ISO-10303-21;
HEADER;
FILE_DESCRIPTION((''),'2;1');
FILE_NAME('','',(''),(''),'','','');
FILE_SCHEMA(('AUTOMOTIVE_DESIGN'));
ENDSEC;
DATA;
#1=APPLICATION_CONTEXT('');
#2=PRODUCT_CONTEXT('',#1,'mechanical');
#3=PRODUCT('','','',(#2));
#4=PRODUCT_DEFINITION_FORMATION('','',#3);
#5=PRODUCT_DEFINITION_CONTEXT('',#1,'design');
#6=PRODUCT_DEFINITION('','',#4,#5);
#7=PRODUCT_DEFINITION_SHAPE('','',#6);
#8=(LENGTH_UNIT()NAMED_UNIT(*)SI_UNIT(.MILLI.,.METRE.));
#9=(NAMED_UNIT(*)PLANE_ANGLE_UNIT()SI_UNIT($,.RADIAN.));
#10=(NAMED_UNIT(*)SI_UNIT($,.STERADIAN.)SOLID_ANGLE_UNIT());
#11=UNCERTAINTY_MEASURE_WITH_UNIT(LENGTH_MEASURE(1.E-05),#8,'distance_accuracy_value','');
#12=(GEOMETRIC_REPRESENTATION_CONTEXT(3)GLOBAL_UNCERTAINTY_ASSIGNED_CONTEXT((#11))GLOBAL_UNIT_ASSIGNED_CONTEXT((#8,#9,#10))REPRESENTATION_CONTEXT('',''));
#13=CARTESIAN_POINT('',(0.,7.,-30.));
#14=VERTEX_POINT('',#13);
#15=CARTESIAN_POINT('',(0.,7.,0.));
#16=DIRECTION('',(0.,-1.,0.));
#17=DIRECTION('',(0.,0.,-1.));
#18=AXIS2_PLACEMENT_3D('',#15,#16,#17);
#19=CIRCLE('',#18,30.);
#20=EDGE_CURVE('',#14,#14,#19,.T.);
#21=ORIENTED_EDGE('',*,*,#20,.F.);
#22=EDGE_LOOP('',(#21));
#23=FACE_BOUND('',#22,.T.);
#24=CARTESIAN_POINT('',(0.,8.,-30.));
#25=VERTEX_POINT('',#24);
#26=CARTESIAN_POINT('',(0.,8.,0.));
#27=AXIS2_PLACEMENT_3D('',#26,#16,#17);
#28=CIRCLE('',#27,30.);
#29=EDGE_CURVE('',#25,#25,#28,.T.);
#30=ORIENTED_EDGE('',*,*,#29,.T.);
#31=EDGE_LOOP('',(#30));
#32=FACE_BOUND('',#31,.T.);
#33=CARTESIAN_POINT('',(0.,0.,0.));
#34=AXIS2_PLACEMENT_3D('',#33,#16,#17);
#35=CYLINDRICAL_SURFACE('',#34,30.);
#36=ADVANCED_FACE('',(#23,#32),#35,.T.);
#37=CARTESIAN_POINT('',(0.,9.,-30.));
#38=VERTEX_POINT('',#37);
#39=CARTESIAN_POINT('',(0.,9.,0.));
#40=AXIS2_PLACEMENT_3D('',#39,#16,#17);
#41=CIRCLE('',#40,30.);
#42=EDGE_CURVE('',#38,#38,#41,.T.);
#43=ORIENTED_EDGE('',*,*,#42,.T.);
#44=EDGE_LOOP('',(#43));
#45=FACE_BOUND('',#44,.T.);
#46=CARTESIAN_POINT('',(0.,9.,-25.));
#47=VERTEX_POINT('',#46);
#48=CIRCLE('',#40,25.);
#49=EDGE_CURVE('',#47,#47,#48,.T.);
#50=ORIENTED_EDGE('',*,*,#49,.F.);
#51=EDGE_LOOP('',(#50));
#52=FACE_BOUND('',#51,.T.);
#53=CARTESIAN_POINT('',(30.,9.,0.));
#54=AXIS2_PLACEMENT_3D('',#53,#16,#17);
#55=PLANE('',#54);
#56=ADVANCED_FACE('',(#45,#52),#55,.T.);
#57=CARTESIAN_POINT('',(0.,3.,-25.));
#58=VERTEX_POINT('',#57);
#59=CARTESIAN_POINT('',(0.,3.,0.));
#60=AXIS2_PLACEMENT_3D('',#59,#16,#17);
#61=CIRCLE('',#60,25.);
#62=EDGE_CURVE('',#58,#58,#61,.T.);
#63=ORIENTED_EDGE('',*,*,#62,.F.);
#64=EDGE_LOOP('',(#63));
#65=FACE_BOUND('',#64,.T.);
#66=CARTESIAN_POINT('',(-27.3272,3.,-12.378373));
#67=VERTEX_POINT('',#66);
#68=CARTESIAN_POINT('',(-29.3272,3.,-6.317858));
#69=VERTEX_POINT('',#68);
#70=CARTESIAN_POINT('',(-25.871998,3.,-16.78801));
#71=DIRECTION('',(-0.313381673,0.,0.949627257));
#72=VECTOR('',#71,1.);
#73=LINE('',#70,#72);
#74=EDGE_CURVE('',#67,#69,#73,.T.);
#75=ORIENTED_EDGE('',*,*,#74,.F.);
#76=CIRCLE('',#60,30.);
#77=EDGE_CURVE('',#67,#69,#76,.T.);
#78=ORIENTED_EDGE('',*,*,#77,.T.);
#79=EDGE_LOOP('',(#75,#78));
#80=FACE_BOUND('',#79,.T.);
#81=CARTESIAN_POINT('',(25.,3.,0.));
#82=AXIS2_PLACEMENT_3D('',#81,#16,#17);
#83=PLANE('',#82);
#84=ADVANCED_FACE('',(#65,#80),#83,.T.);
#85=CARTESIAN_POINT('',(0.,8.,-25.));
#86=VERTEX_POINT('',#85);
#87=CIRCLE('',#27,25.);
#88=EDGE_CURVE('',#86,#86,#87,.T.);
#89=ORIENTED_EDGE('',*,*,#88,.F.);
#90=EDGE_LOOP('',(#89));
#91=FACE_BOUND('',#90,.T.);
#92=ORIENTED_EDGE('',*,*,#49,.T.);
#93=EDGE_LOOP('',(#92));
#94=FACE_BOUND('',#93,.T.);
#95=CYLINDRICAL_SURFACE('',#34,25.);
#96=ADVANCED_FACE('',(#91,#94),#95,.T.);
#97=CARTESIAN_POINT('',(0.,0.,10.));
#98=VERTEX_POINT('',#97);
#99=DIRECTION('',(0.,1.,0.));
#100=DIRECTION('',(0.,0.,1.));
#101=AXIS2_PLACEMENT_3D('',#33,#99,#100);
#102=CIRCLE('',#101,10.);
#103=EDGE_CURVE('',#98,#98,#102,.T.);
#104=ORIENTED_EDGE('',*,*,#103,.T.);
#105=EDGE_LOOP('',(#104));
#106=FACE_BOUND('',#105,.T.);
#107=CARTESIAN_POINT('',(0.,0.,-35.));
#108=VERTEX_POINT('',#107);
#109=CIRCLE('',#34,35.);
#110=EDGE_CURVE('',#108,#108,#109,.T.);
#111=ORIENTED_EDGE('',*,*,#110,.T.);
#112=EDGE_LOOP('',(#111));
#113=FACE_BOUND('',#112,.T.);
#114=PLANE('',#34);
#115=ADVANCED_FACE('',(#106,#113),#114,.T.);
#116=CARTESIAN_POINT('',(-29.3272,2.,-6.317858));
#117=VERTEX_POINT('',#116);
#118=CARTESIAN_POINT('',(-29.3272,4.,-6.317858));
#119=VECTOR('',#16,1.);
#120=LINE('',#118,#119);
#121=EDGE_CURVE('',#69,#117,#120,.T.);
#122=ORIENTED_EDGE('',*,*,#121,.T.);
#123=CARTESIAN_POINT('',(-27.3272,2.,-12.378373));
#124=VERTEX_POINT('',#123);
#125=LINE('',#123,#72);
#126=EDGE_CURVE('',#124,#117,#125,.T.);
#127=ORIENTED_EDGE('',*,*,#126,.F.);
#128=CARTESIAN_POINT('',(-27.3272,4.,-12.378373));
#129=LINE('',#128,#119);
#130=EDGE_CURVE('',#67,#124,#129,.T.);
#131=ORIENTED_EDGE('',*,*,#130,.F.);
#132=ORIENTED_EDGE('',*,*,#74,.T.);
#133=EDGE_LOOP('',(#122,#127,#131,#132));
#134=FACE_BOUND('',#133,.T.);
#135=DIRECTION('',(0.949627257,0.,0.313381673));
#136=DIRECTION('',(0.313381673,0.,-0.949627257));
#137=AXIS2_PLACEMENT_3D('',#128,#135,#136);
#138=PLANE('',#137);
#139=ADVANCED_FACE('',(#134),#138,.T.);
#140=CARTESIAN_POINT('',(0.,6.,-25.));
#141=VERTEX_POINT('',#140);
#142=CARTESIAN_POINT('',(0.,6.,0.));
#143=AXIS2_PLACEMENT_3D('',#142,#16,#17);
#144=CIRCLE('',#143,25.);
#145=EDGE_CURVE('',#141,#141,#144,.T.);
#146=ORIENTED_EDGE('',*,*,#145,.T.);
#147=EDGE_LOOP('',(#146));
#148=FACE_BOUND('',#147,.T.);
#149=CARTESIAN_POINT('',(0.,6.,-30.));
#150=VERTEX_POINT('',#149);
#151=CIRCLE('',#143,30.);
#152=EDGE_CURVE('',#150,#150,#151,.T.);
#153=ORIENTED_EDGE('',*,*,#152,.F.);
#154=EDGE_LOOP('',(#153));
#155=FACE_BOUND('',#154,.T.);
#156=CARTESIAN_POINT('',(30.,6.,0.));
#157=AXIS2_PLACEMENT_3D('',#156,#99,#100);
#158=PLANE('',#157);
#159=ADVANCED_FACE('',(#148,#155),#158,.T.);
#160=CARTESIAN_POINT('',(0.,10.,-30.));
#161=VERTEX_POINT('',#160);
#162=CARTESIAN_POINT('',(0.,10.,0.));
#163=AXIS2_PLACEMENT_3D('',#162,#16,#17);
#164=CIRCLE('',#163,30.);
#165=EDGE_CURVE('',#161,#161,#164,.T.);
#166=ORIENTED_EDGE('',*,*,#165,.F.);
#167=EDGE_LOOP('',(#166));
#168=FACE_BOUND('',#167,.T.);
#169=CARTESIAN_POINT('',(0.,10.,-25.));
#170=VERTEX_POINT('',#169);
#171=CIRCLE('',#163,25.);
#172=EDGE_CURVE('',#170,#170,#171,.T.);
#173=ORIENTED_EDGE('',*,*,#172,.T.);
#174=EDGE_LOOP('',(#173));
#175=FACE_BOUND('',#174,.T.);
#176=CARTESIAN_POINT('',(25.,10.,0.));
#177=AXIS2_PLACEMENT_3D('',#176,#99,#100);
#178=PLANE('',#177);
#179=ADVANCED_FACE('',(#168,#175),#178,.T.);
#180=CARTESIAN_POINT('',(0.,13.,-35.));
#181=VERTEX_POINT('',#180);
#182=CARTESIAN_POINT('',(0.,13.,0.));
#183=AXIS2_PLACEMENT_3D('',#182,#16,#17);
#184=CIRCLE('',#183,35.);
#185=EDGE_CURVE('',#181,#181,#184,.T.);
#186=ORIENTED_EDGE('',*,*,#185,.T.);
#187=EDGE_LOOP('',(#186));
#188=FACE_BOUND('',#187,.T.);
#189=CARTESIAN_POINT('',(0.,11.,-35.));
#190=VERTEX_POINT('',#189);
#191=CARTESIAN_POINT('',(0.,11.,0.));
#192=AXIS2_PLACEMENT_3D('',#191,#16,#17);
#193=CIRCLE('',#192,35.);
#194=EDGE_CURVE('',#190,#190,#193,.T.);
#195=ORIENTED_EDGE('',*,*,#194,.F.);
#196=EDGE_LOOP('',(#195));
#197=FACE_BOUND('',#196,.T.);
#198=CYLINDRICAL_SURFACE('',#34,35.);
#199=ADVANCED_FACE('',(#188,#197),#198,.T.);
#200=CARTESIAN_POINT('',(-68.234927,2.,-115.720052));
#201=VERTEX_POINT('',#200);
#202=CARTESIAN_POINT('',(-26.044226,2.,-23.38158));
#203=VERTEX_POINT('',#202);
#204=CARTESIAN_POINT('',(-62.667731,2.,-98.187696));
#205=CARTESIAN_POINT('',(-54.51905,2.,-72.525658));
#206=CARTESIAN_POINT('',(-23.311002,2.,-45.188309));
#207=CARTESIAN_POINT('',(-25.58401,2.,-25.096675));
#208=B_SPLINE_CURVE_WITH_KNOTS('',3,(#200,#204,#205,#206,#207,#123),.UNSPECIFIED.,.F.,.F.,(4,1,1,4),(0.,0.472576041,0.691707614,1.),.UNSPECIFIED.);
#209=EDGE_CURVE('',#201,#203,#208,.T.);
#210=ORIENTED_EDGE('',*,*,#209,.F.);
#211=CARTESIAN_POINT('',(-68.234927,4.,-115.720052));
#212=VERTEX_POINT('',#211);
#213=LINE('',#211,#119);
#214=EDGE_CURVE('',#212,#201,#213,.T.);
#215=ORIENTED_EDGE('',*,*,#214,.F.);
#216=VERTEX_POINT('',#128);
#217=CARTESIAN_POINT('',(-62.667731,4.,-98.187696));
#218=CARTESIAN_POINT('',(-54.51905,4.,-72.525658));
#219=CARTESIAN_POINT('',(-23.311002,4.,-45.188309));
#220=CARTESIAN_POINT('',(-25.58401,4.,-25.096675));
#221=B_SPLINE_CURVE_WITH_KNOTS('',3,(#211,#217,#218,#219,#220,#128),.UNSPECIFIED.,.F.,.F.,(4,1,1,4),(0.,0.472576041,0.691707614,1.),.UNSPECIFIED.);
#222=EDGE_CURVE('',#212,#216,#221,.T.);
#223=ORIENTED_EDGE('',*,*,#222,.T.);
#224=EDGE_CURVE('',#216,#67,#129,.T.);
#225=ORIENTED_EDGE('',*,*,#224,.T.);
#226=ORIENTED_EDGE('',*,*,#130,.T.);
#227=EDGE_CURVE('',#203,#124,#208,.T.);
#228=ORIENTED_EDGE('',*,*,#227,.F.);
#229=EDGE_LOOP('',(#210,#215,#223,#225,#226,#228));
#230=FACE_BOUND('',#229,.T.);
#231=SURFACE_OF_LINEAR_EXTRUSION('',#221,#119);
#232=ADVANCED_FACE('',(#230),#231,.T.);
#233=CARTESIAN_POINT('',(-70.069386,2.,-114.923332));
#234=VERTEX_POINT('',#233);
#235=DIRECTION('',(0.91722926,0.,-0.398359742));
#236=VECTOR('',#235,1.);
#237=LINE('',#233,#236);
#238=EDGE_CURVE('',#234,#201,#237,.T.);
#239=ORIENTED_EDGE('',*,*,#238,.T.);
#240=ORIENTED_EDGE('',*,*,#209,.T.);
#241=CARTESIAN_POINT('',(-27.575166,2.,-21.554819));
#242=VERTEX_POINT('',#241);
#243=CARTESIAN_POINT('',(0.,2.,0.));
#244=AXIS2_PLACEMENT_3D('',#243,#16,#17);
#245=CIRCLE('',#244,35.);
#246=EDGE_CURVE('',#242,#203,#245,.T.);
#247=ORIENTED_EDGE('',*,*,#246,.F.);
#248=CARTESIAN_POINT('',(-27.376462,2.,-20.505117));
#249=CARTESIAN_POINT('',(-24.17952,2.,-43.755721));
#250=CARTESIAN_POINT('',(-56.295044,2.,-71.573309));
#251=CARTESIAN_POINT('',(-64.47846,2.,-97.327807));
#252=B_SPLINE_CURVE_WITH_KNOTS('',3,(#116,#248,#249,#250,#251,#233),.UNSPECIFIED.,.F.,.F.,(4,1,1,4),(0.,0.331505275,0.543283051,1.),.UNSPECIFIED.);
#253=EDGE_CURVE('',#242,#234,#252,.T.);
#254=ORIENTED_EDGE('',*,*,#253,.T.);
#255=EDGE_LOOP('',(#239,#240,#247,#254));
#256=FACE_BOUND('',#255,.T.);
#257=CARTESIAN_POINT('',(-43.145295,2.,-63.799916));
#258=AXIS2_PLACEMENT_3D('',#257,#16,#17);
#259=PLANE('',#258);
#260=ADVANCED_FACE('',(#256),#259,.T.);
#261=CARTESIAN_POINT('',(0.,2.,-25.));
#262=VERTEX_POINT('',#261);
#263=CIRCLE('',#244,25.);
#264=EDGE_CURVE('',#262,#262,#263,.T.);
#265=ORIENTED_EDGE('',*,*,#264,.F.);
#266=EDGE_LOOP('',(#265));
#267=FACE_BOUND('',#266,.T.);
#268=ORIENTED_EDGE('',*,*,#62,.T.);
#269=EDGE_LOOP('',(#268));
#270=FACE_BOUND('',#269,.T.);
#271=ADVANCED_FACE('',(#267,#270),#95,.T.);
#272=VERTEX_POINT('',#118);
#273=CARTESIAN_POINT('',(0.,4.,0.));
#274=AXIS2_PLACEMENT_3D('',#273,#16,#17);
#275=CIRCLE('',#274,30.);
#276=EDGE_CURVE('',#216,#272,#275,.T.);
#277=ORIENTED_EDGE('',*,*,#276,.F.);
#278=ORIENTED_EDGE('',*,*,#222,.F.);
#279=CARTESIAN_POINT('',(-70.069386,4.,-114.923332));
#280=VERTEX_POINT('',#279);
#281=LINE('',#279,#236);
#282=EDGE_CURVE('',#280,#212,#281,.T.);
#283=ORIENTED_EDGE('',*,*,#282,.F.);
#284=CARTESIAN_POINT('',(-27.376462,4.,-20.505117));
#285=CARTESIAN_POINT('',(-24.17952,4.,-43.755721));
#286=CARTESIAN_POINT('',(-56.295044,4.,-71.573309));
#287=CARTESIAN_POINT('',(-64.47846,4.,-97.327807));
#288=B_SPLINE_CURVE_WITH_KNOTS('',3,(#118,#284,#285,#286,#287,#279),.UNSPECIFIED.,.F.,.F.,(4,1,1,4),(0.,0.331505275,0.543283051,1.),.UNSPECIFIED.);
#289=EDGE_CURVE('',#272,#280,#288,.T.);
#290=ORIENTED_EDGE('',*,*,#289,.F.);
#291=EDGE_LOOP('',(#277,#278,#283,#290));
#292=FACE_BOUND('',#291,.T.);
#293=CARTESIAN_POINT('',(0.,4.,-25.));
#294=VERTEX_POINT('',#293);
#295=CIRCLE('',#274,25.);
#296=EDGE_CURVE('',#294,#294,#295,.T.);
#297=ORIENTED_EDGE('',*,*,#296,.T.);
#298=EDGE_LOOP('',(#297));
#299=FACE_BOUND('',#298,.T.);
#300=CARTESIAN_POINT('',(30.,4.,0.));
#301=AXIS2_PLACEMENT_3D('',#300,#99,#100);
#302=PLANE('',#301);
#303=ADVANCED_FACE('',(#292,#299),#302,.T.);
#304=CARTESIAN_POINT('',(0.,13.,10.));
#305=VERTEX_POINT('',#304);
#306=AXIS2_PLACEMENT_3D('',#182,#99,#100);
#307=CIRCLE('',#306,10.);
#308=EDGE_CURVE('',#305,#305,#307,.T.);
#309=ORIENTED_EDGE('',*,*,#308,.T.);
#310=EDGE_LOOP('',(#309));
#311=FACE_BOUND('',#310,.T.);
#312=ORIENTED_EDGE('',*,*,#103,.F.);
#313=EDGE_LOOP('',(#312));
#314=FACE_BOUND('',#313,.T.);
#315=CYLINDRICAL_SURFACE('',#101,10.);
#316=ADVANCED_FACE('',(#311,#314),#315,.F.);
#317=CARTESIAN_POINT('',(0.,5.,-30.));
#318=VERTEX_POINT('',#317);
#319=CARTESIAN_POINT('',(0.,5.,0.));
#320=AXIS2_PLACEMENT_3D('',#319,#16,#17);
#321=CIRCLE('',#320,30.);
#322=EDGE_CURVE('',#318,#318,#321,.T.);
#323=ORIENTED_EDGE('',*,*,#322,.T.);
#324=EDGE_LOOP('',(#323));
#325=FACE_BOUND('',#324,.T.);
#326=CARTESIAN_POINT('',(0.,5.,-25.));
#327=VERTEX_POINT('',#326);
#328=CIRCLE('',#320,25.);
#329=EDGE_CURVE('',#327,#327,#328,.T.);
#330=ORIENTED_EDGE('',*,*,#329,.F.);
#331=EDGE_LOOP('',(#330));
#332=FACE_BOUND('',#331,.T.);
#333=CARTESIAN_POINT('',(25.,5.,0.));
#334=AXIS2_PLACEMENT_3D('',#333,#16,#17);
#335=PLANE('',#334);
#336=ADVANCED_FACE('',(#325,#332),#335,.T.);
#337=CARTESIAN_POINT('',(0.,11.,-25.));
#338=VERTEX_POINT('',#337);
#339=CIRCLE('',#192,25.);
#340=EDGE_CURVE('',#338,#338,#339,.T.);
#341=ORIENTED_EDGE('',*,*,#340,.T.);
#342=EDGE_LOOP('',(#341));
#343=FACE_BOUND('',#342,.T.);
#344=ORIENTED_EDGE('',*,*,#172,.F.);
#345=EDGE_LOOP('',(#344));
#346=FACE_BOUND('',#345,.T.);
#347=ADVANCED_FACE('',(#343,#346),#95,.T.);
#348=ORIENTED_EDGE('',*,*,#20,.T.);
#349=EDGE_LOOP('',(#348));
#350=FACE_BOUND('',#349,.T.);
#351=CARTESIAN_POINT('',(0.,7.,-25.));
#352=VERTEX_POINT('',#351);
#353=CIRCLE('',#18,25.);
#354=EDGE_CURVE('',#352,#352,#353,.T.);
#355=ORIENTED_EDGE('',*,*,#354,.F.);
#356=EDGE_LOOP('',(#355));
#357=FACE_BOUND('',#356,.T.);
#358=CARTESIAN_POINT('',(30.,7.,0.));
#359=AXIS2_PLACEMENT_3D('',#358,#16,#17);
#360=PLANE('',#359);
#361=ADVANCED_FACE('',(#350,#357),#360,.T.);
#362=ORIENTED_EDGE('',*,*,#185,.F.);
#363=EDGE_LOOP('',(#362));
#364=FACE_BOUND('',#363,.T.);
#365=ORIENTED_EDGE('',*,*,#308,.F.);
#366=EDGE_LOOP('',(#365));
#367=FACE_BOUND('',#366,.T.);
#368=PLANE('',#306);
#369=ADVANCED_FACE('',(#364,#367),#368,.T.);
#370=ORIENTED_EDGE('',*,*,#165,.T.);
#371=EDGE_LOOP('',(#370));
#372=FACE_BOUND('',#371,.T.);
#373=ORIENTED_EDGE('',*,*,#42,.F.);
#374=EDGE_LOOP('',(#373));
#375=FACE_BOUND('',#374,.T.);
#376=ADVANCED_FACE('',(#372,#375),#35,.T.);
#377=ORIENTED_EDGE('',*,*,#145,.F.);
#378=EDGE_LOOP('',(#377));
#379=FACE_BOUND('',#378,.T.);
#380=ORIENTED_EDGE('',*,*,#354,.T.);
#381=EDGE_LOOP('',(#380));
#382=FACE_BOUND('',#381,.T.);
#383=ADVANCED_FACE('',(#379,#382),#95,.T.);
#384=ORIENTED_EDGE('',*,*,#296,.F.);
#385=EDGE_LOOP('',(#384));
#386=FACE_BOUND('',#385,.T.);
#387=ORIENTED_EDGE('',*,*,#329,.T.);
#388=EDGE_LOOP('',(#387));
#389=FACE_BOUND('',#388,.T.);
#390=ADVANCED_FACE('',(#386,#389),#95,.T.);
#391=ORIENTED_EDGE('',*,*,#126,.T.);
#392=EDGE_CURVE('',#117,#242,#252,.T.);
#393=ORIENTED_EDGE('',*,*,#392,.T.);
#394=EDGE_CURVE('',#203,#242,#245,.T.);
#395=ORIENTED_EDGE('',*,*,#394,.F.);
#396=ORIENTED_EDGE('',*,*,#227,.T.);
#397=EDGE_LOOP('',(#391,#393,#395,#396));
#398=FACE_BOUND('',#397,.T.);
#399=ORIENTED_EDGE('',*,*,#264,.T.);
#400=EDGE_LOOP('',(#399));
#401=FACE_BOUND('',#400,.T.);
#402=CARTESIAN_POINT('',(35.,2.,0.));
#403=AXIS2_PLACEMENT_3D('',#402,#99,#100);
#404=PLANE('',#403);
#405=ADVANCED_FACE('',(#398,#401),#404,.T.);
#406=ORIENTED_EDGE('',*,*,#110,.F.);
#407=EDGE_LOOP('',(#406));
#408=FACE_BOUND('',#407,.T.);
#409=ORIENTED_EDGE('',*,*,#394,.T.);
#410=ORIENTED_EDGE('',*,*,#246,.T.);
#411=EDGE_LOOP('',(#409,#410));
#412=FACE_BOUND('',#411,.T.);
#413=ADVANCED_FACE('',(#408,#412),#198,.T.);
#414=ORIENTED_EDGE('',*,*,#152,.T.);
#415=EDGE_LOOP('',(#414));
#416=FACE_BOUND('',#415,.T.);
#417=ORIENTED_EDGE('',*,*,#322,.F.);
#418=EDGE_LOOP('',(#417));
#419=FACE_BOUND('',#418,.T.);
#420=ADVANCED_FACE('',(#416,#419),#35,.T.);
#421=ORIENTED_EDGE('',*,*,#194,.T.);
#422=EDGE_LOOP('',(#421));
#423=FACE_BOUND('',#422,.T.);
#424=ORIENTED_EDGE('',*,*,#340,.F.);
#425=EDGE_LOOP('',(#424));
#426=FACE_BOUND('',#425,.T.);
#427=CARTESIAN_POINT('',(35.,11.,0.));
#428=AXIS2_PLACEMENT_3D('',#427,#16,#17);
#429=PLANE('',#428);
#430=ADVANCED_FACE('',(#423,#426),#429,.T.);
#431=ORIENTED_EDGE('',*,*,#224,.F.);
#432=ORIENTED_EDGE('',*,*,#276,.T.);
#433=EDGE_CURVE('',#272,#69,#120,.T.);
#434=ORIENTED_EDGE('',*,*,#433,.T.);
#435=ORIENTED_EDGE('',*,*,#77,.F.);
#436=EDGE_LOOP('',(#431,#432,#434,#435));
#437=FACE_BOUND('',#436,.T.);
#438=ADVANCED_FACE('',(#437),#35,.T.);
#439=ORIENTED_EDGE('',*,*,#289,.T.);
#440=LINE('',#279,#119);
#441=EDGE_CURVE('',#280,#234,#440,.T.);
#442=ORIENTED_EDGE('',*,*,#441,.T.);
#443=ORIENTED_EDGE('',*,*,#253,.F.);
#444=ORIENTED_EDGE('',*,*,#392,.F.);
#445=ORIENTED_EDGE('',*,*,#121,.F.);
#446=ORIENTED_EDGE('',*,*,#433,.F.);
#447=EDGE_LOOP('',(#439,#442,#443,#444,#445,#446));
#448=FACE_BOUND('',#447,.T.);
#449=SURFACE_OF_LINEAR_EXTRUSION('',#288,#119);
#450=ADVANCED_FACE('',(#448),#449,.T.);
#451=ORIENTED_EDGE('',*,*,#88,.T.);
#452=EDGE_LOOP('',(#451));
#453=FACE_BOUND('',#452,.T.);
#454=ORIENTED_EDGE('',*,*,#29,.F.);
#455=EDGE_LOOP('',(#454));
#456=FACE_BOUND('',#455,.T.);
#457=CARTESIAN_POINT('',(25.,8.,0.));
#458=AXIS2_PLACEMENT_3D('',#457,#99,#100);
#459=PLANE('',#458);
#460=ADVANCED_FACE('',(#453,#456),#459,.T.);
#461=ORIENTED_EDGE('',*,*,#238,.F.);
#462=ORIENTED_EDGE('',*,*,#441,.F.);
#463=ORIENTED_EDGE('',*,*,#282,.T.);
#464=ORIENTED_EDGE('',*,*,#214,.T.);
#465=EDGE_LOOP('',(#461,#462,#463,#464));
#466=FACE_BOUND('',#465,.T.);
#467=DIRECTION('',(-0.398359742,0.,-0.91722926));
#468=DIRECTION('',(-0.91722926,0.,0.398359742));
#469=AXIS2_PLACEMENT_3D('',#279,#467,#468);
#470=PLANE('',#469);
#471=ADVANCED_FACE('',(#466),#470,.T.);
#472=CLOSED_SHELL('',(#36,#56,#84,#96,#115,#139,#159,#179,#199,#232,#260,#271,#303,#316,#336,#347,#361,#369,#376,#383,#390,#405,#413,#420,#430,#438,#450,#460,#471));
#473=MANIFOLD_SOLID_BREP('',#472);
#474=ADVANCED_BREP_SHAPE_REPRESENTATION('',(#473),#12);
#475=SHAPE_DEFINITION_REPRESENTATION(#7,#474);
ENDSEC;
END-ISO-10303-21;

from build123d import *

# Parameters (mm, degrees)
LINEAR_AUSTRAGEN1_DEPTH      = 1
LINEAR_AUSTRAGEN1_DEPTH_BACK = 1
SKIZZE6_R                    = 10
LINEAR_AUSTRAGEN2_DEPTH      = 14


with BuildPart() as part:
    # Skizze2 → Rotation1 (revolve)
    with BuildSketch(Plane.XY, mode=Mode.PRIVATE) as rotation1_sk:
        Polygon((0, 0), (35, 0), (35, 2), (25, 2), (25, 3), (30, 3), (30, 4), (25, 4), (25, 5), (30, 5), (30, 6), (25, 6), (25, 7), (30, 7), (30, 8), (25, 8), (25, 9), (30, 9), (30, 10), (25, 10), (25, 11), (35, 11), (35, 13), (0, 13), align=None)
    revolve(rotation1_sk.sketch.rotate(Axis((0, 0, 0), (0, 1, 0)), 90), axis=Axis((0, 0, 0), (0, 1, 0)))  # turned: the seam where the file's is

    # Skizze5 → Linear austragen1 (add, two sides)
    with BuildSketch(Plane.XZ.offset(-3)) as linear_austragen1_sk:
        with BuildLine():
            Line((-27.327200212, -12.378373422), (-29.327200212, -6.317857842))
            add(Edge.make_bspline(
                [(-29.327200212, -6.317857842), (-27.376461725, -20.505117436), (-24.179519663, -43.75572085), (-56.295044405, -71.57330883), (-64.478459695, -97.327806995), (-70.069385578, -114.923332251)],
                knots=[0, 0, 0, 0, 0.331505275, 0.543283051, 1, 1, 1, 1], degree=3))
            Line((-70.069385578, -114.923332251), (-68.234927057, -115.720051735))
            add(Edge.make_bspline(
                [(-27.327200212, -12.378373422), (-25.584010264, -25.096675338), (-23.311002372, -45.18830878), (-54.519049761, -72.525658101), (-62.667731325, -98.187695715), (-68.234927057, -115.720051735)],
                knots=[0, 0, 0, 0, 0.308292386, 0.527423959, 1, 1, 1, 1], degree=3))
        make_face()
    extrude(amount=LINEAR_AUSTRAGEN1_DEPTH)
    extrude(linear_austragen1_sk.sketch, amount=-LINEAR_AUSTRAGEN1_DEPTH_BACK)

    # Skizze6 → Linear austragen2 (cut, through all)
    with BuildSketch(Plane(origin=(0, 13, 0), x_dir=(1, 0, 0), z_dir=(0, 1, 0))):
        with Locations(Location((0, 0, 0), (0, 0, 270))):  # turned: the seam where the file's is
            Circle(SKIZZE6_R)
    extrude(amount=-LINEAR_AUSTRAGEN2_DEPTH, mode=Mode.SUBTRACT)


solid = part.part
